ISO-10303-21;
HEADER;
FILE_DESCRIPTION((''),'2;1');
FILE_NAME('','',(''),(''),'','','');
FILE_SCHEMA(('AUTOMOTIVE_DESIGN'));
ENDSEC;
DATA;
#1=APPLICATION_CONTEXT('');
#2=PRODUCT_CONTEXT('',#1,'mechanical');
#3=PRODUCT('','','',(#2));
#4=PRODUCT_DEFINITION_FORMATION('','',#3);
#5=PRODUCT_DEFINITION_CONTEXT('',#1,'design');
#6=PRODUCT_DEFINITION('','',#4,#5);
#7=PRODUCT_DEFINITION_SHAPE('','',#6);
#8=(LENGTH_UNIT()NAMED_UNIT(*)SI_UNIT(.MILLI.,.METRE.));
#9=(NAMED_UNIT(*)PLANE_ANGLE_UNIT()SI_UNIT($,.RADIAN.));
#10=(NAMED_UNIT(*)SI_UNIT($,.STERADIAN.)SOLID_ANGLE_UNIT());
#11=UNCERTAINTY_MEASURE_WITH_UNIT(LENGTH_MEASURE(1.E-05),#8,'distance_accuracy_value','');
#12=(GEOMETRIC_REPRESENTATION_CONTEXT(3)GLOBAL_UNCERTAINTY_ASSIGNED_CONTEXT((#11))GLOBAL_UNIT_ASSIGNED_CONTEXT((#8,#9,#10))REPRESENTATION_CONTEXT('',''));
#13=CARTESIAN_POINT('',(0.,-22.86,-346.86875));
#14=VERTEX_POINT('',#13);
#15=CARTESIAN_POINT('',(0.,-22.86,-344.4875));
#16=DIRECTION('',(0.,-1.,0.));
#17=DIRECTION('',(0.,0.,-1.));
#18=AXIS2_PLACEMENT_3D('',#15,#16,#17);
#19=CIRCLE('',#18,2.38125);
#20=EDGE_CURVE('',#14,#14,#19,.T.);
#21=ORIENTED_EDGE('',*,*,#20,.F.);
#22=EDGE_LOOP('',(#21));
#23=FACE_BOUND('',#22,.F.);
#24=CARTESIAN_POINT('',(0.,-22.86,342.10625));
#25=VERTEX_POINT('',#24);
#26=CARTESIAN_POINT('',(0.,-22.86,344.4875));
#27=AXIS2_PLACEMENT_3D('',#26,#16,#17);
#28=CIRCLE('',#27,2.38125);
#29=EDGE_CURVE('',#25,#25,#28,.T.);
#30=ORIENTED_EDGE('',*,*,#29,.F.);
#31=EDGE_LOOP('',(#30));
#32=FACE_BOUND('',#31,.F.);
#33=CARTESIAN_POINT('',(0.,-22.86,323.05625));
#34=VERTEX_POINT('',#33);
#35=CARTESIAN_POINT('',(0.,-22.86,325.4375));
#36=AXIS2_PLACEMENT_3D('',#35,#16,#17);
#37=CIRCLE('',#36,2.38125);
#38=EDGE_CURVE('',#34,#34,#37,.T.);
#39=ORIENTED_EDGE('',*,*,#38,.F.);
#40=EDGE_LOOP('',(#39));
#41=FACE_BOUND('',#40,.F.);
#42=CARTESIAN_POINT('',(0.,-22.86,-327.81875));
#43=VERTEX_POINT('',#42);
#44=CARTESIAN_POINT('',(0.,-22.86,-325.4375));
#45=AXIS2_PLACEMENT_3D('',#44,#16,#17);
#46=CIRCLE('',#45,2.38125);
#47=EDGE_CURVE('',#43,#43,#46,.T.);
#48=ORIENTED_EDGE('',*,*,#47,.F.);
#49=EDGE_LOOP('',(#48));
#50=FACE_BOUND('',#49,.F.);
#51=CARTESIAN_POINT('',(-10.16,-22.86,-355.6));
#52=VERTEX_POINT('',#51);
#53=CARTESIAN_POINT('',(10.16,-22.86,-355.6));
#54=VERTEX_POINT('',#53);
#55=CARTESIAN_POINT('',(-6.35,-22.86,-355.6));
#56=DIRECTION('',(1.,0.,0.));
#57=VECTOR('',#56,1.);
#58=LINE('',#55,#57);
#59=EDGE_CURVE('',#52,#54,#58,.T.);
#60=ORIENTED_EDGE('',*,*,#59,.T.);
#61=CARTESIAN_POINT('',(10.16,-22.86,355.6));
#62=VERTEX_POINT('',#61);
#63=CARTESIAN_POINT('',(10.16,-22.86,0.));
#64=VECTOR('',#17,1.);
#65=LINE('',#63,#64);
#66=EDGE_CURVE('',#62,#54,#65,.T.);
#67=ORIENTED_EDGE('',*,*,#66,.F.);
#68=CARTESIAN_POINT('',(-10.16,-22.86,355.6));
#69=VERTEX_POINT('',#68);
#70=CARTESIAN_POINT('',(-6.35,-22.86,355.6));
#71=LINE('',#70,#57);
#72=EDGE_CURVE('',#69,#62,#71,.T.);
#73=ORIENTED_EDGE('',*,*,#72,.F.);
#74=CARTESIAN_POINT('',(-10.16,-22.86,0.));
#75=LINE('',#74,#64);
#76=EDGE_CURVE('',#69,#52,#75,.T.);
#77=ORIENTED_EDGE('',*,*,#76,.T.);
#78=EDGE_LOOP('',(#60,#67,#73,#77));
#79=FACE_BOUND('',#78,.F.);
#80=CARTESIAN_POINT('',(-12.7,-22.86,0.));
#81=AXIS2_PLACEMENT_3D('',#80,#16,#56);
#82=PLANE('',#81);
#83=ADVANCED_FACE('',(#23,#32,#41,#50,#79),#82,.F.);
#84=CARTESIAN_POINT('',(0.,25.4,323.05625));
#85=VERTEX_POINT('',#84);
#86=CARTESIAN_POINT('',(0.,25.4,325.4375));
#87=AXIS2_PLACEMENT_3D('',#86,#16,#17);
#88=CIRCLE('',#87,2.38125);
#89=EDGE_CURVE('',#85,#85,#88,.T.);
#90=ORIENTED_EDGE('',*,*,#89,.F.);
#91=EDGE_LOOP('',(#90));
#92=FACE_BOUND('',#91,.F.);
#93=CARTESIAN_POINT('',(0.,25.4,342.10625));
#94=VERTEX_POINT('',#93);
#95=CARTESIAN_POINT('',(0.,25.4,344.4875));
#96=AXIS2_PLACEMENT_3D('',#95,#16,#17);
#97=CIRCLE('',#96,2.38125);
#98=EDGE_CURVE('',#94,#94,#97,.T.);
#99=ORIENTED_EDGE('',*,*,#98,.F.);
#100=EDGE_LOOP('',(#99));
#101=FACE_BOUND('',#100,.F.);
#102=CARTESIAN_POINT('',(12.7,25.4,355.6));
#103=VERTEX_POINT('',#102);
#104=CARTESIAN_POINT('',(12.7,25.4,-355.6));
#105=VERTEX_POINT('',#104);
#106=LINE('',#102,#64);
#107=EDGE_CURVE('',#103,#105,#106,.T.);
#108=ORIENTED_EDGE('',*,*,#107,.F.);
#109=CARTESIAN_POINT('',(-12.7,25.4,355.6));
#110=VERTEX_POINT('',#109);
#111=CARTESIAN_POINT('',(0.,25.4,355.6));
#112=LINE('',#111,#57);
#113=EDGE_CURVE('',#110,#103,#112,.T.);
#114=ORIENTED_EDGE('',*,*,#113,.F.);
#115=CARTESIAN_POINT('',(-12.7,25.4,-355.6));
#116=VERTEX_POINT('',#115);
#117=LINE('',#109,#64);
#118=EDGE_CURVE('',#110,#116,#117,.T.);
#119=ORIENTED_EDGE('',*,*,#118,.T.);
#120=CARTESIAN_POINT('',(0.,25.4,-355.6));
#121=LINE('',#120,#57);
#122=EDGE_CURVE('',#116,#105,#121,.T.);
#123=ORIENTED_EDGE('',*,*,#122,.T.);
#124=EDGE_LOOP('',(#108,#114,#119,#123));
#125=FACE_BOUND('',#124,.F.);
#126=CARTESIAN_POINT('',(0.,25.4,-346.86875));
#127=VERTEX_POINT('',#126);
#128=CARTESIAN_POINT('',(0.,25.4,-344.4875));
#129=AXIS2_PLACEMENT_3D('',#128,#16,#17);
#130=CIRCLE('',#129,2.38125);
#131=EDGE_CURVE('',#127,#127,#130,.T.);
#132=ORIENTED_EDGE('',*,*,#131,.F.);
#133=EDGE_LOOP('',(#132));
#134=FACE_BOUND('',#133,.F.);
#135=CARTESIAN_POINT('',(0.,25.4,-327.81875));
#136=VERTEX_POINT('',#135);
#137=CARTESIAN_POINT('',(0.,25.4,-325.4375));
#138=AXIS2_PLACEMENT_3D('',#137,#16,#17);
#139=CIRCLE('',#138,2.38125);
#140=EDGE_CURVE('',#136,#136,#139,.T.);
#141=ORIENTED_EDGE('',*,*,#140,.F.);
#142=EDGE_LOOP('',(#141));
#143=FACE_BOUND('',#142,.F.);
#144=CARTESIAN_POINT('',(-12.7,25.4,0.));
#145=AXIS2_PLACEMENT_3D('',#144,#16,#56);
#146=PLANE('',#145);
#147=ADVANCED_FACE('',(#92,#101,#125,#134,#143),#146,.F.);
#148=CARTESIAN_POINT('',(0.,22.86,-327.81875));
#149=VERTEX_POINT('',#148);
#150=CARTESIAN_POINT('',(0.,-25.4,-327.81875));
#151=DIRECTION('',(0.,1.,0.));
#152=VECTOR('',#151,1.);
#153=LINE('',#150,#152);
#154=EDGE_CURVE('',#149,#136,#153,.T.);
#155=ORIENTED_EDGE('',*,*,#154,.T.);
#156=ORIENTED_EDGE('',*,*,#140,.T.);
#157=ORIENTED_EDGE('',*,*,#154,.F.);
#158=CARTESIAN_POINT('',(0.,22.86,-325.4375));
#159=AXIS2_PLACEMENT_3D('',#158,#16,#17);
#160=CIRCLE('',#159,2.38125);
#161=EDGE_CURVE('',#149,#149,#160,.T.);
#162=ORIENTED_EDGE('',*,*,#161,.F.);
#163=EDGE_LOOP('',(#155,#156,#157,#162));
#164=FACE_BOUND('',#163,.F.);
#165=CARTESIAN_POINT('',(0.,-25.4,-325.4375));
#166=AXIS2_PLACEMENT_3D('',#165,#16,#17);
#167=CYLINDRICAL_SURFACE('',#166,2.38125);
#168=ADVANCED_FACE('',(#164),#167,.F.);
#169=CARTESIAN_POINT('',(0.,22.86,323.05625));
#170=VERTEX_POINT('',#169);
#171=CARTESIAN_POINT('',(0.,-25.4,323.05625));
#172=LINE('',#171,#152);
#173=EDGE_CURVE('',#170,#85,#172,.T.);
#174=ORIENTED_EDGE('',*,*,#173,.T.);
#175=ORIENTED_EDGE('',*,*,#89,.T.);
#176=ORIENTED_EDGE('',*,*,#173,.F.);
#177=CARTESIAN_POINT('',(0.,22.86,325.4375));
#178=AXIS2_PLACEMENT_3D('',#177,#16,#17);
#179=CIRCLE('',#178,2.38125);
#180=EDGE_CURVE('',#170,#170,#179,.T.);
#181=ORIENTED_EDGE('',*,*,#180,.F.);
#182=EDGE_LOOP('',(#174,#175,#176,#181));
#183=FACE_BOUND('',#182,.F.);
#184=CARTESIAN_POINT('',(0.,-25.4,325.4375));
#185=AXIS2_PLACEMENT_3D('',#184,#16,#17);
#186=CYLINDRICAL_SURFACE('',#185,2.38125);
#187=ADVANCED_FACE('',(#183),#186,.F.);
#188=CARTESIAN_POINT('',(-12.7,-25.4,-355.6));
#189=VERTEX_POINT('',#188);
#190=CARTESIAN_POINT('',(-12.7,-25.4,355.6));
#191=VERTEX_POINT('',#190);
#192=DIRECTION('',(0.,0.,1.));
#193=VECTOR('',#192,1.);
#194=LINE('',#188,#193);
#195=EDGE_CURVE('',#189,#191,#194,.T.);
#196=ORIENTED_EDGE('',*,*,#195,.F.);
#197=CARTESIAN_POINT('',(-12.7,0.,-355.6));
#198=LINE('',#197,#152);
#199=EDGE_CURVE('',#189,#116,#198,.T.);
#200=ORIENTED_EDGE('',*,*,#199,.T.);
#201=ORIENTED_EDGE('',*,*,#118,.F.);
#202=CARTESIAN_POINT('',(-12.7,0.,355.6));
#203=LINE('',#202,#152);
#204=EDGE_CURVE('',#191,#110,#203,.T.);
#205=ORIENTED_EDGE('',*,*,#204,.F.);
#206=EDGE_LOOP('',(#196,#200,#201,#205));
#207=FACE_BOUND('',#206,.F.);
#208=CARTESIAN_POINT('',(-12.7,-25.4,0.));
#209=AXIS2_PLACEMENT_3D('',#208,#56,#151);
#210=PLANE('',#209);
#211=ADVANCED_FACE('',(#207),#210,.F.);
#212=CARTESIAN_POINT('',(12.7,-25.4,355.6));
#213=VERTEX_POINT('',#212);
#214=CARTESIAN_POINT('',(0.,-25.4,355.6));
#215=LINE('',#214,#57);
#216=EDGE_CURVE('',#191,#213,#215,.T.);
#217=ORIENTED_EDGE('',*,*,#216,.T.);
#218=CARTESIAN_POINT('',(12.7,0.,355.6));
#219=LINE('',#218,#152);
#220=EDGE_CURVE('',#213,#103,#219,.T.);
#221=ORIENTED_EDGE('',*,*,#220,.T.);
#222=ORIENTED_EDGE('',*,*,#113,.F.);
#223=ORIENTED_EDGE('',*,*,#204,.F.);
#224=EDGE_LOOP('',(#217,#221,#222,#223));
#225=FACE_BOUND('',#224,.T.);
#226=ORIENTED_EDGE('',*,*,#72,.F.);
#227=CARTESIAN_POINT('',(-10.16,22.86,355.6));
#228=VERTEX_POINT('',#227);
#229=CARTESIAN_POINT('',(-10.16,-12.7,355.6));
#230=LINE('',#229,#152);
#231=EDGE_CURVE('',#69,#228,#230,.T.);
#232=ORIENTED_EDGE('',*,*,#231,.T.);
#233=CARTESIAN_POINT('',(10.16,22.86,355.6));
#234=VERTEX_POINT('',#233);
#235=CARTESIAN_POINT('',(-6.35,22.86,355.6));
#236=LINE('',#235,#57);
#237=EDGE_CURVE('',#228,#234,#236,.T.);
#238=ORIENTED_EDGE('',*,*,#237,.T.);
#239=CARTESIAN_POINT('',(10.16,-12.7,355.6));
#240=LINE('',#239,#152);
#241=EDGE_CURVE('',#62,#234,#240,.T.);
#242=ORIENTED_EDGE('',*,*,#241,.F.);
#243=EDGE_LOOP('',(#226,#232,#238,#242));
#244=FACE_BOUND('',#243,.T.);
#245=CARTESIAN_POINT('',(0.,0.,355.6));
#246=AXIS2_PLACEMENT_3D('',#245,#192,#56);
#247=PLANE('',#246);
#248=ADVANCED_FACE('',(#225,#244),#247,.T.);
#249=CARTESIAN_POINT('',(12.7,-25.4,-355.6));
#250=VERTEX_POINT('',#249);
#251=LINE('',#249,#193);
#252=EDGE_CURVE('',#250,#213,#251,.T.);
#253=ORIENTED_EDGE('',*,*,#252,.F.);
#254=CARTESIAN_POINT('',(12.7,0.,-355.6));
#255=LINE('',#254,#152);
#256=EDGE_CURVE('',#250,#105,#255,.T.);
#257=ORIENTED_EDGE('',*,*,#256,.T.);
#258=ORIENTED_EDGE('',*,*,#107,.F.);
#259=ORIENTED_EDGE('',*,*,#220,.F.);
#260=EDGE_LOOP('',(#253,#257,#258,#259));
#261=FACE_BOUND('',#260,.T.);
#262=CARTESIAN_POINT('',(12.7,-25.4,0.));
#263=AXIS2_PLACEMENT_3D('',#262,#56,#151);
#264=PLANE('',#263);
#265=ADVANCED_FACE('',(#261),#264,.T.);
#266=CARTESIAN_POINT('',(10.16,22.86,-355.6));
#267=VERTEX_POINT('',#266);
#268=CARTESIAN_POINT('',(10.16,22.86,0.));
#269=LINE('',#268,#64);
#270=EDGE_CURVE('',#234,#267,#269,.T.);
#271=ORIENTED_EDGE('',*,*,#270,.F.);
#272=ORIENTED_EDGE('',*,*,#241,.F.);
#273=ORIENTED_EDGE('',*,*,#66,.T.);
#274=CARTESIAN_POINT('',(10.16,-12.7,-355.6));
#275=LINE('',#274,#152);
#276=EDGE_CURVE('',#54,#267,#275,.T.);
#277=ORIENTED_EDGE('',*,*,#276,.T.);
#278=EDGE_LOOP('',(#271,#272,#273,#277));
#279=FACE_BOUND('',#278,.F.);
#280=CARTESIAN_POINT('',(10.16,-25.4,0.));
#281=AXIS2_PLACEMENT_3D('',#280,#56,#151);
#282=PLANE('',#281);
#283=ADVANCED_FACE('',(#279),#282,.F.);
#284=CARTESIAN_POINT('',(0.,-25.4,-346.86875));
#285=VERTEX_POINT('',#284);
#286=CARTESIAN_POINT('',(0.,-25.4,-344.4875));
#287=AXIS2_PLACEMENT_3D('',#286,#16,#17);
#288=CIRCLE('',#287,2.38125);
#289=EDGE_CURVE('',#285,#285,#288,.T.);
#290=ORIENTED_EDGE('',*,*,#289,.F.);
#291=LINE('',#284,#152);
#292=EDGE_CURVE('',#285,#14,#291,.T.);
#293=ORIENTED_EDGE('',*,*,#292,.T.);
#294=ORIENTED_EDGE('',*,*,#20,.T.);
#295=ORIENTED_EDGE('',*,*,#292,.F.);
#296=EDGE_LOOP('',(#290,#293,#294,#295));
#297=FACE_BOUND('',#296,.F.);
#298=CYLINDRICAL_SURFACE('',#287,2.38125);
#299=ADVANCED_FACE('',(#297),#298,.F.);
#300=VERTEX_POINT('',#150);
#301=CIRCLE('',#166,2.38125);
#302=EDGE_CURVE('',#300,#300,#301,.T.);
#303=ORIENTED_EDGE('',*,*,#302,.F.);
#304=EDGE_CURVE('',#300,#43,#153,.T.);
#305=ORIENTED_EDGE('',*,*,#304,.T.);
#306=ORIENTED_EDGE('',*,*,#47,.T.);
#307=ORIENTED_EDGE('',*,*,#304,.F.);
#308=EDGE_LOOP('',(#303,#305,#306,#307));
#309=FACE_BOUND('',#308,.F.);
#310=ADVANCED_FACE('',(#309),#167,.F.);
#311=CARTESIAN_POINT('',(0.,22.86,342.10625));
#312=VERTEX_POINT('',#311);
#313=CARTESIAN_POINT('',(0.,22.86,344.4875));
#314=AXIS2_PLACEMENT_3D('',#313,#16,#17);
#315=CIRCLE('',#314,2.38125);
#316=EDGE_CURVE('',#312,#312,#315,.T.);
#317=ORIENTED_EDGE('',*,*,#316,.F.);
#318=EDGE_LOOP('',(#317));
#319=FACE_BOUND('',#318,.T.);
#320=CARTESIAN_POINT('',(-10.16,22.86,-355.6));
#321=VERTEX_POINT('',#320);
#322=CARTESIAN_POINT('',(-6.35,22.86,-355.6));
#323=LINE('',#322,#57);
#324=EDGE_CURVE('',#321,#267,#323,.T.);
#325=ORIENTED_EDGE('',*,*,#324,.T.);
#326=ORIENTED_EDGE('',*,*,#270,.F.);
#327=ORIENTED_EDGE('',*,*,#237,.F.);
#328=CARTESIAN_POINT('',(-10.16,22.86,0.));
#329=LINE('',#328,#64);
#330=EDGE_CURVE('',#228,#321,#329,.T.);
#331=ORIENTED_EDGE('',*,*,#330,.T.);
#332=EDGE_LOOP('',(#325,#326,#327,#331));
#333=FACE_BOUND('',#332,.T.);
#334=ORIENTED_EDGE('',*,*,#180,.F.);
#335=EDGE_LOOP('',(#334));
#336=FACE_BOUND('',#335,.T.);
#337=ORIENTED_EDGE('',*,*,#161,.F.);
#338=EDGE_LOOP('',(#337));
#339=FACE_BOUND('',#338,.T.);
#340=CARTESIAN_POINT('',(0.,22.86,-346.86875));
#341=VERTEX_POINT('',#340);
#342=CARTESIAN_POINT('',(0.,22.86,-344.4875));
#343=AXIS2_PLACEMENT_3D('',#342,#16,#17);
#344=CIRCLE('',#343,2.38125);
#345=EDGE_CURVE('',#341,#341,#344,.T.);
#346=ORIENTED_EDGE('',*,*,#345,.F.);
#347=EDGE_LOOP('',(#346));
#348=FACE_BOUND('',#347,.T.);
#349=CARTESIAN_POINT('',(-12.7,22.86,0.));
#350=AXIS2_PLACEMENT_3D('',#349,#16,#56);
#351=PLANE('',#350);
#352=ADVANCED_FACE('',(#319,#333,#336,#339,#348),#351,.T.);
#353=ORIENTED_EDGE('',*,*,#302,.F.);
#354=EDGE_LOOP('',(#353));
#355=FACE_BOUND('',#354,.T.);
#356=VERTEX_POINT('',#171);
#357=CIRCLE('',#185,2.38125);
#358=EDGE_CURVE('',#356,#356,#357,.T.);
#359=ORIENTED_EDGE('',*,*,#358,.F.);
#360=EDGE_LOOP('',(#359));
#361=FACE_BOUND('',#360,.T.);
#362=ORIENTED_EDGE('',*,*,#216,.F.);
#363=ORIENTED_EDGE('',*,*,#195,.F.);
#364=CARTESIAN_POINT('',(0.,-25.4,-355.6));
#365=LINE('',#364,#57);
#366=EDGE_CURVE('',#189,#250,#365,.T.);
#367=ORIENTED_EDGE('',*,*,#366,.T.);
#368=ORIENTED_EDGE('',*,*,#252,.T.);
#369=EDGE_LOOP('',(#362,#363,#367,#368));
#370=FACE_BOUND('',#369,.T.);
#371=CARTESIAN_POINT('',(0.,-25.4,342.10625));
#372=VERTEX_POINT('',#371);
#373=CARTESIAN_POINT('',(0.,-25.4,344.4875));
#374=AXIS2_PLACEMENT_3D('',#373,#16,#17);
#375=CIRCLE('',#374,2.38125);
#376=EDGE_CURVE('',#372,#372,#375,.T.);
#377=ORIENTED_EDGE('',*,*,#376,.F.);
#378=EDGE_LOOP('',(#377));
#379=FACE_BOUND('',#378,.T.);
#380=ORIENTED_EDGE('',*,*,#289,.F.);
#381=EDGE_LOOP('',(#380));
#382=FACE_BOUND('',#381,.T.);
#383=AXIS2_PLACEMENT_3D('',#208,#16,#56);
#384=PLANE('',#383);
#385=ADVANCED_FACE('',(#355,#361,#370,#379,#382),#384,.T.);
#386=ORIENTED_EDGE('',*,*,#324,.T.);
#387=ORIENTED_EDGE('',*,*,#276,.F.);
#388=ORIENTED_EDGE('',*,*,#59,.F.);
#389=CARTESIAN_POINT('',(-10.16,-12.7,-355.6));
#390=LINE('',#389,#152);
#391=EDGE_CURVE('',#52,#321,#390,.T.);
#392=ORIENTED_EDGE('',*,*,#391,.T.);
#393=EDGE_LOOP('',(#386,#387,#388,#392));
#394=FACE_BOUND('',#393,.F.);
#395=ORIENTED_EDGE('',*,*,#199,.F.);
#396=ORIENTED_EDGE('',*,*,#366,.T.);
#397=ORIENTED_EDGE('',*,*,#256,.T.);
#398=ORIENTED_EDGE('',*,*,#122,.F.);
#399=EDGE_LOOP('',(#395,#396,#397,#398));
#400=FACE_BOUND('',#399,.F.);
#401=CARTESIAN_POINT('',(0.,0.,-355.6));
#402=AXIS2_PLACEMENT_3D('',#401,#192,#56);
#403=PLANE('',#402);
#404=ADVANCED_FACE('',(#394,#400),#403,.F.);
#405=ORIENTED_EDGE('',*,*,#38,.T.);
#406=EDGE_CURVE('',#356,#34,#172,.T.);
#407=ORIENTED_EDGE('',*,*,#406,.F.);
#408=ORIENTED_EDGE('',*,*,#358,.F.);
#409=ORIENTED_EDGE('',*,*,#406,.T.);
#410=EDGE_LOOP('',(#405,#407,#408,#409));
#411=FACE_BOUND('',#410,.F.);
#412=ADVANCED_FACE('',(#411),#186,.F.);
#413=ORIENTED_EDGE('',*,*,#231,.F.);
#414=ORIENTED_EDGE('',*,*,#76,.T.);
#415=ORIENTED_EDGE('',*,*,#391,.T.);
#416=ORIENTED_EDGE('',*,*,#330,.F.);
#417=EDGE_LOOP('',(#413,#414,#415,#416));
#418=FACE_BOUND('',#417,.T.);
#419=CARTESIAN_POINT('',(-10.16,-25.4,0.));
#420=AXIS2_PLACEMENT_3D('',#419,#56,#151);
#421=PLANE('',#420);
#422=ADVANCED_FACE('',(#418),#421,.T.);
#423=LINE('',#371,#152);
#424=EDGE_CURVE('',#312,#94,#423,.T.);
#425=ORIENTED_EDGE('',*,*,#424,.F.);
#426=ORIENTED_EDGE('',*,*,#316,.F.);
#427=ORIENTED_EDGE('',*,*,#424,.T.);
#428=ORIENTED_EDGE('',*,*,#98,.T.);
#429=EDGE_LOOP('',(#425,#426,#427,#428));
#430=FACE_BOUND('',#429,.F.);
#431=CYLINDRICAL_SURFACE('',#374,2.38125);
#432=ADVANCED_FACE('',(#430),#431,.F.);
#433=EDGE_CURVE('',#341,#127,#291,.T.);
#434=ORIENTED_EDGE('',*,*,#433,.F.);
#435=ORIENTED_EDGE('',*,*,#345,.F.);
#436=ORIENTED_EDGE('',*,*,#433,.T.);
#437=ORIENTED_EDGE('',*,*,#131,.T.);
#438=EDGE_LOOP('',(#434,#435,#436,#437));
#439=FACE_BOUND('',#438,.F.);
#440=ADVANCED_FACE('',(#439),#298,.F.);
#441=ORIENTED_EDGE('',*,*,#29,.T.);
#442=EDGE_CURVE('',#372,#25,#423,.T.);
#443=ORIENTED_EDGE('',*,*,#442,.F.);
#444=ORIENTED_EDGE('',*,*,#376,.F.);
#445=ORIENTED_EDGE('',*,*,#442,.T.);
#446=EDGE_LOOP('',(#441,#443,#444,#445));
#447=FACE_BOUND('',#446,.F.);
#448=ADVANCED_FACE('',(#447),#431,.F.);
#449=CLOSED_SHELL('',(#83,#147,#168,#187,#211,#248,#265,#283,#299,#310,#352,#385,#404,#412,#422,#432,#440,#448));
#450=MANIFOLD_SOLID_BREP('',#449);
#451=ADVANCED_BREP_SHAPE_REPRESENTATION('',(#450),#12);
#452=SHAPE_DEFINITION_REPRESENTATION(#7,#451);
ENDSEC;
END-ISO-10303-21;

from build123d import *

# Parameters (mm, degrees)
SKETCH1_W           = 25.4
SKETCH1_H           = 50.8
BOSS_EXTRUDE1_DEPTH = 355.6
SHELL1_T            = -2.54
SKETCH2_R           = 2.38125
CUT_EXTRUDE1_DEPTH  = 360.434681131


with BuildPart() as part:
    # Sketch1 → Boss-Extrude1 (new, symmetric)
    with BuildSketch(Plane.XY):
        Rectangle(SKETCH1_W, SKETCH1_H)
    extrude(amount=BOSS_EXTRUDE1_DEPTH, both=True)

    # Shell1
    shell1_openings = [part.faces().sort_by_distance(p)[0] for p in [
        (0, 0, 355.6),
        (0, 0, -355.6),
    ]]
    offset(amount=SHELL1_T, openings=shell1_openings, kind=Kind.INTERSECTION)

    # Sketch2 → Cut-Extrude1 (cut, through all)
    with BuildSketch(Plane.XZ.offset(25.4)):
        with Locations(Location((0, 344.4875, 0), (0, 0, 270))):
            Circle(SKETCH2_R)
        with Locations(Location((0, 325.4375, 0), (0, 0, 270))):
            Circle(SKETCH2_R)
        with Locations(Location((0, -325.4375, 0), (0, 0, 270))):
            Circle(SKETCH2_R)
        with Locations(Location((0, -344.4875, 0), (0, 0, 270))):
            Circle(SKETCH2_R)
    extrude(amount=-CUT_EXTRUDE1_DEPTH, mode=Mode.SUBTRACT)


solid = part.part
